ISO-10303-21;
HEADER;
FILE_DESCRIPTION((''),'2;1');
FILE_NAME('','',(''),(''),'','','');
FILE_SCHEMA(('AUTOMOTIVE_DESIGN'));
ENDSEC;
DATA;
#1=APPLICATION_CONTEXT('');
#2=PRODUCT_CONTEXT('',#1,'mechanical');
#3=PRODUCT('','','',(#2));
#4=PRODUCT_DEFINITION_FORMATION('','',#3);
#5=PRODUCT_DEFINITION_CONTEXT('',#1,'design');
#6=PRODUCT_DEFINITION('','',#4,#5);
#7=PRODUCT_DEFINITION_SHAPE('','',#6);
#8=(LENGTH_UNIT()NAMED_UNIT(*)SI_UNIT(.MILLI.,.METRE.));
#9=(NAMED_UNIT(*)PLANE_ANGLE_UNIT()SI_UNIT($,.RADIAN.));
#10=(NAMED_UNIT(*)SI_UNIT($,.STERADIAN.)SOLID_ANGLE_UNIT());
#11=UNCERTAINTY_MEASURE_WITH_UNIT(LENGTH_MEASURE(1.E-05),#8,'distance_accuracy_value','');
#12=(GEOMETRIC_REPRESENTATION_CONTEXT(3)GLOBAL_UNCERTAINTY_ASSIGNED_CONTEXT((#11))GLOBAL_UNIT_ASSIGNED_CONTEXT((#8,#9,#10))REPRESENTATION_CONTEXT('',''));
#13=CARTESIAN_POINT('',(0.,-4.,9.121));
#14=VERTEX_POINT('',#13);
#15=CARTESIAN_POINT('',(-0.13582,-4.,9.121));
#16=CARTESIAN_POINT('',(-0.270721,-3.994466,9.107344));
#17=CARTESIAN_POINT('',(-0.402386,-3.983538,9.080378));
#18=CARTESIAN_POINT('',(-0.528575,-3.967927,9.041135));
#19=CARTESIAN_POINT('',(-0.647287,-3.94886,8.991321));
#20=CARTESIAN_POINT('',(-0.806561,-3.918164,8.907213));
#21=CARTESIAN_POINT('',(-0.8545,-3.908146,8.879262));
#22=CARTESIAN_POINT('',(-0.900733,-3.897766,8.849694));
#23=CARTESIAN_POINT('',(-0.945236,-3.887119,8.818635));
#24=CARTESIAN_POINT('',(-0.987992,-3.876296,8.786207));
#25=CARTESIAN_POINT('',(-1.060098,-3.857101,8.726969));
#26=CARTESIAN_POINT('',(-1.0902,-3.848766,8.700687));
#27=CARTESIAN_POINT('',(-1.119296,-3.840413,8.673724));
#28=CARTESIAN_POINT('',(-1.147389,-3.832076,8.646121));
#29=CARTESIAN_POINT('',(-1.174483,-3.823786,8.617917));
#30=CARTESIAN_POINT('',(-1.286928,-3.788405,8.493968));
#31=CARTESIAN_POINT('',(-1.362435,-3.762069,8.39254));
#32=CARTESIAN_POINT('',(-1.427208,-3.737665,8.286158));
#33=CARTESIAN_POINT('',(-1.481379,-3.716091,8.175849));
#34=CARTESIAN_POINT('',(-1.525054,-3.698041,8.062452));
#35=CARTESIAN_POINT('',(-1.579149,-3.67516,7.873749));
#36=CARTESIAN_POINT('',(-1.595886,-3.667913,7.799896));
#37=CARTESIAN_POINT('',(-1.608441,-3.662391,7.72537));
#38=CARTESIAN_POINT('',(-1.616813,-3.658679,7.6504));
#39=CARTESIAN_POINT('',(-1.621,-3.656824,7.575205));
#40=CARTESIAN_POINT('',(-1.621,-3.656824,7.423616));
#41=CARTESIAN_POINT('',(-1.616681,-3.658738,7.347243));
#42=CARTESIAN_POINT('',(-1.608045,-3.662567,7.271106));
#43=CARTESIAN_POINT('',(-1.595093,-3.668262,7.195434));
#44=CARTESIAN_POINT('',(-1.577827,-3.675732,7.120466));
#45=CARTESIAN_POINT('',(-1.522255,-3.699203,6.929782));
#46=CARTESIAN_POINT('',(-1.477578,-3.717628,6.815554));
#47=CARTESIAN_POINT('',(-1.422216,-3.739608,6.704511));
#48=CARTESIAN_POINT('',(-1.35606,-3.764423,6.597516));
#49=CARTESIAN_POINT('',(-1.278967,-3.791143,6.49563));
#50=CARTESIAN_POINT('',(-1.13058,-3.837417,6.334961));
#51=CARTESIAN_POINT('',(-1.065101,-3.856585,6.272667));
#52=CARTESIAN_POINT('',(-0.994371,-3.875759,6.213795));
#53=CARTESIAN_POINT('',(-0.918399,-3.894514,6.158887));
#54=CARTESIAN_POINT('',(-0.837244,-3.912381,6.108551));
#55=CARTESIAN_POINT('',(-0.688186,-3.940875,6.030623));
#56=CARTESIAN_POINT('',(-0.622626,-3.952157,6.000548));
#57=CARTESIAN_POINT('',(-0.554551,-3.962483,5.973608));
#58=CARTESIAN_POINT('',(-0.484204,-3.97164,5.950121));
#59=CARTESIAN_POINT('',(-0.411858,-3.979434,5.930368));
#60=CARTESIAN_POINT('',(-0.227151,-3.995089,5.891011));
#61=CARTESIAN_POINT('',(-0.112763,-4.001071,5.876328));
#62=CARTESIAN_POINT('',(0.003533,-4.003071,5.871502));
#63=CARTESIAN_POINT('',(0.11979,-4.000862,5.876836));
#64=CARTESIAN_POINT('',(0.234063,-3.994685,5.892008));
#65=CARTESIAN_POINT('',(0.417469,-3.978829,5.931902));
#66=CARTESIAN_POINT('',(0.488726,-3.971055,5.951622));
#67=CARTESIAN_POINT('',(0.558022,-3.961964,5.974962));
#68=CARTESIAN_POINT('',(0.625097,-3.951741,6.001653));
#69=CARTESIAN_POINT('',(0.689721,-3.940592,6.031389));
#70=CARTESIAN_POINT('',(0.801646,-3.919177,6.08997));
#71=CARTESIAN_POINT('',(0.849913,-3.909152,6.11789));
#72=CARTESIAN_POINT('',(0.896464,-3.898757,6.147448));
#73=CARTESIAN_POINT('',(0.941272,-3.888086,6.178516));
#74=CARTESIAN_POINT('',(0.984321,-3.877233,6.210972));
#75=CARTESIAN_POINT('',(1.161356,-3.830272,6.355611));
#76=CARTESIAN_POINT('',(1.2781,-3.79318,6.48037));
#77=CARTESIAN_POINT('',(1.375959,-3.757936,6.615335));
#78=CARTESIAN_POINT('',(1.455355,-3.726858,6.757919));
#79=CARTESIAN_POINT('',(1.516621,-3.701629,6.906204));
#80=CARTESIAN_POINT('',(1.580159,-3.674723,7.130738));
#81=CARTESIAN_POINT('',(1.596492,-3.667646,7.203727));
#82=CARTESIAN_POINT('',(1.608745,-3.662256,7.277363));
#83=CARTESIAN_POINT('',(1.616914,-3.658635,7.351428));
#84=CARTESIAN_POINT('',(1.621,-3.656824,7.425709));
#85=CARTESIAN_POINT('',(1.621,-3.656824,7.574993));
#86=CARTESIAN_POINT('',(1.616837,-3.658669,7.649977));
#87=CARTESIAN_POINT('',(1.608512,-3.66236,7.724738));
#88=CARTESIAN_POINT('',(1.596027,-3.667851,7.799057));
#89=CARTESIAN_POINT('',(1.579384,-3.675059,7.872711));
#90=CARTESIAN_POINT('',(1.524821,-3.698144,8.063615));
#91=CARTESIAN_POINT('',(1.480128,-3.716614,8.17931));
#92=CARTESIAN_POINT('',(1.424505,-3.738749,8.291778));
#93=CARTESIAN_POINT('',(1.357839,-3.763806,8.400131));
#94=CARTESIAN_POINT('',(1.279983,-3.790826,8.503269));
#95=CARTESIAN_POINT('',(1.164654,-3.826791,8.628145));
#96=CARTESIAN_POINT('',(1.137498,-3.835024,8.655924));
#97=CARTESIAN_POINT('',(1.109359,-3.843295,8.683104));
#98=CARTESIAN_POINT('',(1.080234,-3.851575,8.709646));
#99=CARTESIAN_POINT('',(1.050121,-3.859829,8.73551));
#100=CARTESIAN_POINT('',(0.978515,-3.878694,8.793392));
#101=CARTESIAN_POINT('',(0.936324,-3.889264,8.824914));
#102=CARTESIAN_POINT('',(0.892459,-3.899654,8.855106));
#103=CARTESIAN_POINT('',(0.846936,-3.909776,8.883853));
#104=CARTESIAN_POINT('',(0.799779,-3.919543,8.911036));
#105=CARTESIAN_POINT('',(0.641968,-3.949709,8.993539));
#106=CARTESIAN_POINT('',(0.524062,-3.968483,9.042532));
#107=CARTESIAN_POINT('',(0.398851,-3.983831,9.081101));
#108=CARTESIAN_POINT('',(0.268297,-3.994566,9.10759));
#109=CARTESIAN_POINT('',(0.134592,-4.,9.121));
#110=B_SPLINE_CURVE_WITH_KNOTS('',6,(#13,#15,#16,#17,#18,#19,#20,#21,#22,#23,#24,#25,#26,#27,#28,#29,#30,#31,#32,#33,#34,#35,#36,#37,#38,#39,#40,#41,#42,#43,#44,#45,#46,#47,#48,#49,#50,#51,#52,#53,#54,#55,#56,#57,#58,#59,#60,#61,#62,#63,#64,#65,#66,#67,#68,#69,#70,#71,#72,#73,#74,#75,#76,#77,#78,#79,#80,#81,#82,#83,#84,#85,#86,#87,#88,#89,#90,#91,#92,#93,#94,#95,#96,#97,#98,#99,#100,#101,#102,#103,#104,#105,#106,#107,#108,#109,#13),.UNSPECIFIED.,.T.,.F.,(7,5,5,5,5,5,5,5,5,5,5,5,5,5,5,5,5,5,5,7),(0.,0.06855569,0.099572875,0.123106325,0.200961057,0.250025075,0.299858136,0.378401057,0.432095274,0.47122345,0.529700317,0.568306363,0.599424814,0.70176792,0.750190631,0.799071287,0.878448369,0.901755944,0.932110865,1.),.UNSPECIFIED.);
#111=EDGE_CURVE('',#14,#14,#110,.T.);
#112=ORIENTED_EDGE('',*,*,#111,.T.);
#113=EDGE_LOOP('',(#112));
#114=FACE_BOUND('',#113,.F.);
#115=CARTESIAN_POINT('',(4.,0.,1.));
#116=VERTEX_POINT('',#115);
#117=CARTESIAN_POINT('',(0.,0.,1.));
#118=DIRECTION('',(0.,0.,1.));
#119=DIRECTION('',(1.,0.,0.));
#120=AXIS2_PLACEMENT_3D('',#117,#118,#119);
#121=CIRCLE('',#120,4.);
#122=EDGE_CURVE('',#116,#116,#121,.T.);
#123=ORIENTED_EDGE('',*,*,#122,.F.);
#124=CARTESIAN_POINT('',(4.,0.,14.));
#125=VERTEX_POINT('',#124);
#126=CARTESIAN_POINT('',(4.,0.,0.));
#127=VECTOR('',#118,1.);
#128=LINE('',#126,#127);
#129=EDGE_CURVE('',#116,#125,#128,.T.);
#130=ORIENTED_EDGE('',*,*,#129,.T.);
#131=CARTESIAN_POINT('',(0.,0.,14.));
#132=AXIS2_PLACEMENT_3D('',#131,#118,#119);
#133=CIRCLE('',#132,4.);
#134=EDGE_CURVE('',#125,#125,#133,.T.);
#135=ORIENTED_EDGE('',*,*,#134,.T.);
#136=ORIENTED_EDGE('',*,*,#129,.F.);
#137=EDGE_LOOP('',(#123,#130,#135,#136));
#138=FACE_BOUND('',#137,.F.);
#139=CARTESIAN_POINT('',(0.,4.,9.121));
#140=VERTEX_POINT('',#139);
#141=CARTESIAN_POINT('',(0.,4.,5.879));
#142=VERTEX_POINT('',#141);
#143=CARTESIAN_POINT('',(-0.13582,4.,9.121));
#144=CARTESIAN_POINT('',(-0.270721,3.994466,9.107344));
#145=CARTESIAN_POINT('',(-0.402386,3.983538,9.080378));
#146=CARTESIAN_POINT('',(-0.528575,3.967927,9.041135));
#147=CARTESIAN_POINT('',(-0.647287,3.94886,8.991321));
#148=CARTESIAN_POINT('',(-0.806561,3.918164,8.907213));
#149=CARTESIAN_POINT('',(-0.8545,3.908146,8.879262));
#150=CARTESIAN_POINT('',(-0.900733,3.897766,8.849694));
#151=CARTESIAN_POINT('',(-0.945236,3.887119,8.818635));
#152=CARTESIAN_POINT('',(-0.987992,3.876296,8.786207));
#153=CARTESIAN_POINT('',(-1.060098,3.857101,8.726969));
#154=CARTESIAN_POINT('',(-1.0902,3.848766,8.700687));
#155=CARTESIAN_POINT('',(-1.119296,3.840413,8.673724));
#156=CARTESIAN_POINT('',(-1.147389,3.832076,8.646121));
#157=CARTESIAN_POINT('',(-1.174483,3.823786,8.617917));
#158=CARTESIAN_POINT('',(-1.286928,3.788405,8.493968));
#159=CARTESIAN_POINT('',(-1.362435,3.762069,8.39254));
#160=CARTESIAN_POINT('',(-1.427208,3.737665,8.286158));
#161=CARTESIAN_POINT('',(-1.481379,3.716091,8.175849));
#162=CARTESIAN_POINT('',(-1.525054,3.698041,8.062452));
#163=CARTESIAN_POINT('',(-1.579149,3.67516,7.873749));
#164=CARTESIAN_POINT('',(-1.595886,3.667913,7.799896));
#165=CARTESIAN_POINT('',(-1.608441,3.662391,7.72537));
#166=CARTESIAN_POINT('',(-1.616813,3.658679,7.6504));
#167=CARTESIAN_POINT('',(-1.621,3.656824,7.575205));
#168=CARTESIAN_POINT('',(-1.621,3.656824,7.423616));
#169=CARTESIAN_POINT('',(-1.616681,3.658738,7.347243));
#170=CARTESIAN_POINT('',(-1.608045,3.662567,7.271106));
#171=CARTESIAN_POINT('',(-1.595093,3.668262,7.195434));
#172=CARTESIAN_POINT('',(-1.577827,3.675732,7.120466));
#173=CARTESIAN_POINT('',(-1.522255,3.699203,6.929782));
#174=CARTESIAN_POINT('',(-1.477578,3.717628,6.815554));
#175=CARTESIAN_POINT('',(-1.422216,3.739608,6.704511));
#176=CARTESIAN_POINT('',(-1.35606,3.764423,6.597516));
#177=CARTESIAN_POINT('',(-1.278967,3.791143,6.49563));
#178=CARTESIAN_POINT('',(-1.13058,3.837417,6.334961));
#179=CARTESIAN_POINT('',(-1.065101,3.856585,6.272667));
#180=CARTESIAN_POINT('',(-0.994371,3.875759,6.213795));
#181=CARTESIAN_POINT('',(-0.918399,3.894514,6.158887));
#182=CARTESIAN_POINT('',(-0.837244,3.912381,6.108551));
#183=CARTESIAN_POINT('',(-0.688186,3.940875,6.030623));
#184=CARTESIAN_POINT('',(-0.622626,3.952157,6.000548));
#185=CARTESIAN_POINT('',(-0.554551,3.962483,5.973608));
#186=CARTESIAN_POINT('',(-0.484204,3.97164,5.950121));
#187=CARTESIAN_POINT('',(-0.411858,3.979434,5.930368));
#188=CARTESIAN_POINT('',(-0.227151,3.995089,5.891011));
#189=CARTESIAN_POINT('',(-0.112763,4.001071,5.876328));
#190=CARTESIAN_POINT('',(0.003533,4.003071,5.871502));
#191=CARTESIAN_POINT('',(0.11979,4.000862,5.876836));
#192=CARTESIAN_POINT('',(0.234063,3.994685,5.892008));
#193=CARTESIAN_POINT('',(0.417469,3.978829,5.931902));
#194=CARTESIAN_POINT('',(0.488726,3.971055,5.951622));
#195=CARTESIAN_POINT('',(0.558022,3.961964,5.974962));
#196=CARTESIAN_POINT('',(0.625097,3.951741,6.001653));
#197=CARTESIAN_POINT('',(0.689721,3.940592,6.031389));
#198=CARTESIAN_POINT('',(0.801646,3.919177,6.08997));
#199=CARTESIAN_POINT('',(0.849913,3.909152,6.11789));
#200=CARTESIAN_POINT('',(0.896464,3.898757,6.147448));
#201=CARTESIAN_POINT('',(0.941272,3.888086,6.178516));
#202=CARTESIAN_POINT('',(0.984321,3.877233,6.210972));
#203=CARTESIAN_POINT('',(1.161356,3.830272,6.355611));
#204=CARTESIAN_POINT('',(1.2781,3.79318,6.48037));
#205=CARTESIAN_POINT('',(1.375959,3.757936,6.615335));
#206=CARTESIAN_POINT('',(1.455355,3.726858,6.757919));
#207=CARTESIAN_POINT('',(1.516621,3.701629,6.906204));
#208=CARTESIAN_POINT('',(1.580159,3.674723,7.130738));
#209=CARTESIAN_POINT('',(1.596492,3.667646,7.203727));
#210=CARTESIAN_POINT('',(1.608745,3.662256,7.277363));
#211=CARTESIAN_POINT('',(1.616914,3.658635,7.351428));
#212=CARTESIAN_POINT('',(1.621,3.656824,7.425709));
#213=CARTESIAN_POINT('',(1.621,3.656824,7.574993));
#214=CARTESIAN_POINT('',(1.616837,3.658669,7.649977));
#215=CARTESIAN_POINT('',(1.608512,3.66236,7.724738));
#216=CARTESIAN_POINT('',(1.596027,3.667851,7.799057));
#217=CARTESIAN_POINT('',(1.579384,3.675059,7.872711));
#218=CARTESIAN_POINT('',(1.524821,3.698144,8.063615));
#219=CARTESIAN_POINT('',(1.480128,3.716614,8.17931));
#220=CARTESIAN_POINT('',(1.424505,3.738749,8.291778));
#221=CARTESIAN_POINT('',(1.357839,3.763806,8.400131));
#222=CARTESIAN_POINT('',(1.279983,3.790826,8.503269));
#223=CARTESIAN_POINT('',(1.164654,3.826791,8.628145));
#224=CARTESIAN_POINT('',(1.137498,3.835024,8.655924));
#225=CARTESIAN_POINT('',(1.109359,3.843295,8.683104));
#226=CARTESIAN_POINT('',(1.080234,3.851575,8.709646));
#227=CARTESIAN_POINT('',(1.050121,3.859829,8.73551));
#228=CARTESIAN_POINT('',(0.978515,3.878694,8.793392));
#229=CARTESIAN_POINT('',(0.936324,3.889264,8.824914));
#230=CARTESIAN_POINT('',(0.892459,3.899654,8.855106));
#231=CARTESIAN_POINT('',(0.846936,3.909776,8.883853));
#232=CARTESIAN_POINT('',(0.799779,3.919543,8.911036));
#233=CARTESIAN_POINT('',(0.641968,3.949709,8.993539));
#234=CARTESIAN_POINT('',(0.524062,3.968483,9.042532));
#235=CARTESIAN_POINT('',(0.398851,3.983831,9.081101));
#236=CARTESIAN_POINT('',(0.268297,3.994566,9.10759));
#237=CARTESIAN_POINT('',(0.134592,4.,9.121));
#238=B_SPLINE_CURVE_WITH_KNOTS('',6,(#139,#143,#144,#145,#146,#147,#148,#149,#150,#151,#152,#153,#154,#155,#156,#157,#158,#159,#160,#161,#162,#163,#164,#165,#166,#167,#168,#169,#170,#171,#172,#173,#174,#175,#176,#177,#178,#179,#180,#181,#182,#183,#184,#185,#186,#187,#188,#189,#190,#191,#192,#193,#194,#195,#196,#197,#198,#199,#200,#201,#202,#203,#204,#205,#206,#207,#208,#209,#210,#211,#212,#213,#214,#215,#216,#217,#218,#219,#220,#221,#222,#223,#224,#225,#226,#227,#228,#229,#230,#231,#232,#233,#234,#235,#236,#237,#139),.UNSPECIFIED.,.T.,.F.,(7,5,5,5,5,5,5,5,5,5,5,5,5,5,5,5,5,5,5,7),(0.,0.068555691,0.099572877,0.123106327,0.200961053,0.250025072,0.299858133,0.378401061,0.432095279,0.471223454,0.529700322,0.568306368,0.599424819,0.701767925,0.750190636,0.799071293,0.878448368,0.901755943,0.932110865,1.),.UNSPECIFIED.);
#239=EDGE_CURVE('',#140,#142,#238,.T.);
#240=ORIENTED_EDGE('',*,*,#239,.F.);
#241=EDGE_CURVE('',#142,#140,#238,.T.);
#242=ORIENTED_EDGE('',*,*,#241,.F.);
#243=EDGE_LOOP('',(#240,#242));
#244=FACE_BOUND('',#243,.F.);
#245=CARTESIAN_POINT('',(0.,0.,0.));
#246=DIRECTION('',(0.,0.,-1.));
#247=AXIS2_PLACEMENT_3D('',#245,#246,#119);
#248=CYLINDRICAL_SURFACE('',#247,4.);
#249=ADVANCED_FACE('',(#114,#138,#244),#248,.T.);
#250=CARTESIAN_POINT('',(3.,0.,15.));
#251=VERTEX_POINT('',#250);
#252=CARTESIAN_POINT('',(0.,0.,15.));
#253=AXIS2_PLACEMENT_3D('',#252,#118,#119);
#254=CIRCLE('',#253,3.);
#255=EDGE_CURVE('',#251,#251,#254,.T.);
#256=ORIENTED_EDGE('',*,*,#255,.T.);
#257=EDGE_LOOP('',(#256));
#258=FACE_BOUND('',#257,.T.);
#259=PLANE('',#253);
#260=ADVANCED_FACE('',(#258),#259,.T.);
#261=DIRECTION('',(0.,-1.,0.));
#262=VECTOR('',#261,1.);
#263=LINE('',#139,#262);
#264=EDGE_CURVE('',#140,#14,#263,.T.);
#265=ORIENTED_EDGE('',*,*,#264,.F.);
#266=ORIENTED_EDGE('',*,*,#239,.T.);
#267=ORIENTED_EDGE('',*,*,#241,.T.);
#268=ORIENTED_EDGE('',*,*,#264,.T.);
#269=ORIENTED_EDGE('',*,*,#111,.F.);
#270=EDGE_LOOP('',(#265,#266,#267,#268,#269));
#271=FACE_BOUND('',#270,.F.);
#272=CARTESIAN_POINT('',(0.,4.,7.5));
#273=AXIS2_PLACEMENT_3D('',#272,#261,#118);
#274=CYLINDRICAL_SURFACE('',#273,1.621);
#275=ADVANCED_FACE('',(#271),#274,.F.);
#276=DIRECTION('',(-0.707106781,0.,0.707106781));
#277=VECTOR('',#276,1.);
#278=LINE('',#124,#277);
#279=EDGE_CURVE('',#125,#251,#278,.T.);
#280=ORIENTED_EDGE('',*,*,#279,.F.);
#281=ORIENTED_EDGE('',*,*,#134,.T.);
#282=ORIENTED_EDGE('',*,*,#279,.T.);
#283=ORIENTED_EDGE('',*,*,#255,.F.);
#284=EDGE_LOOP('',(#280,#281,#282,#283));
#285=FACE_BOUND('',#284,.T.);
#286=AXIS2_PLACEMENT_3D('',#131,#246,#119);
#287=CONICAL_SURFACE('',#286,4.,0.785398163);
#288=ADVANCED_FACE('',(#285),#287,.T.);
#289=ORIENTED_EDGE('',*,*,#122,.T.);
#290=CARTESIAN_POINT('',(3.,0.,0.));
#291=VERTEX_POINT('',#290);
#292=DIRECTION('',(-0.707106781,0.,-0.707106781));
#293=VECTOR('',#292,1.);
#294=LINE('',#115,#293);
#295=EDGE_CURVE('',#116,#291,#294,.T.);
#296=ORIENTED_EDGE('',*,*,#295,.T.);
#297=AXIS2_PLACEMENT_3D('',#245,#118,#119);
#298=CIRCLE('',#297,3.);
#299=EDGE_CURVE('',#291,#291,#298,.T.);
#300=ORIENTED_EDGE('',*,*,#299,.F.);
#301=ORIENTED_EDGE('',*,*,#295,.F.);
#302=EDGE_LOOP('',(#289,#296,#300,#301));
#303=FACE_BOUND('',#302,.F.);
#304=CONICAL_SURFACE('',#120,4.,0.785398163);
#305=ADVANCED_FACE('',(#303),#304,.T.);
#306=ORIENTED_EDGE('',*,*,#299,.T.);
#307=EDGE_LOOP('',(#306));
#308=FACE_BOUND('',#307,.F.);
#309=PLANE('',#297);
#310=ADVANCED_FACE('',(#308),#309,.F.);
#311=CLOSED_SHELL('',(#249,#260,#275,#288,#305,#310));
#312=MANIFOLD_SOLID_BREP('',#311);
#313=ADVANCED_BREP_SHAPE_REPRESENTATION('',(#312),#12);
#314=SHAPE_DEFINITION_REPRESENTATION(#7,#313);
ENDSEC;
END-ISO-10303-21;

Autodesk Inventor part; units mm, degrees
ref_plane "YZ Plane" through (0, 0, 0) normal (1, 0, 0) x (0, 1, 0)
ref_plane "XZ Plane" through (0, 0, 0) normal (0, 1, 0) x (-1, 0, 0)
sketch "Skizze1" plane through (0, 0, 0) normal (0, 0, 1) x (1, 0, 0)
  circle A0 centre (0, 0) radius 4
  point P0 (0, 4)
  dimension "d0" = 8
extrude "Extrusion1" add sketch "Skizze1" along normal blind 15
ref_plane "Arbeitsebene1" through (0, 4, 0) normal (0, 1, 0) x (-1, 0, 0)
sketch "Skizze2" plane through (0, 4, 0) normal (0, 1, 0) x (-1, 0, 0)
  point P0 (0, 0)
  point P1 (0, 7.5)
  dimension "d3" = 7.5
hole "Bohrung1" at (0, 4, 7.5) direction (0, -1, 0) diameter 3.242 end through all thread size "M4x0.7" class "6H" standard "ANSI Metric M Profile"
chamfer "Fase1" distance 1 angle 45 2 edges at (-4, 0, 0) (-4, 0, 15)
properties part number "LANGMUTTER"
